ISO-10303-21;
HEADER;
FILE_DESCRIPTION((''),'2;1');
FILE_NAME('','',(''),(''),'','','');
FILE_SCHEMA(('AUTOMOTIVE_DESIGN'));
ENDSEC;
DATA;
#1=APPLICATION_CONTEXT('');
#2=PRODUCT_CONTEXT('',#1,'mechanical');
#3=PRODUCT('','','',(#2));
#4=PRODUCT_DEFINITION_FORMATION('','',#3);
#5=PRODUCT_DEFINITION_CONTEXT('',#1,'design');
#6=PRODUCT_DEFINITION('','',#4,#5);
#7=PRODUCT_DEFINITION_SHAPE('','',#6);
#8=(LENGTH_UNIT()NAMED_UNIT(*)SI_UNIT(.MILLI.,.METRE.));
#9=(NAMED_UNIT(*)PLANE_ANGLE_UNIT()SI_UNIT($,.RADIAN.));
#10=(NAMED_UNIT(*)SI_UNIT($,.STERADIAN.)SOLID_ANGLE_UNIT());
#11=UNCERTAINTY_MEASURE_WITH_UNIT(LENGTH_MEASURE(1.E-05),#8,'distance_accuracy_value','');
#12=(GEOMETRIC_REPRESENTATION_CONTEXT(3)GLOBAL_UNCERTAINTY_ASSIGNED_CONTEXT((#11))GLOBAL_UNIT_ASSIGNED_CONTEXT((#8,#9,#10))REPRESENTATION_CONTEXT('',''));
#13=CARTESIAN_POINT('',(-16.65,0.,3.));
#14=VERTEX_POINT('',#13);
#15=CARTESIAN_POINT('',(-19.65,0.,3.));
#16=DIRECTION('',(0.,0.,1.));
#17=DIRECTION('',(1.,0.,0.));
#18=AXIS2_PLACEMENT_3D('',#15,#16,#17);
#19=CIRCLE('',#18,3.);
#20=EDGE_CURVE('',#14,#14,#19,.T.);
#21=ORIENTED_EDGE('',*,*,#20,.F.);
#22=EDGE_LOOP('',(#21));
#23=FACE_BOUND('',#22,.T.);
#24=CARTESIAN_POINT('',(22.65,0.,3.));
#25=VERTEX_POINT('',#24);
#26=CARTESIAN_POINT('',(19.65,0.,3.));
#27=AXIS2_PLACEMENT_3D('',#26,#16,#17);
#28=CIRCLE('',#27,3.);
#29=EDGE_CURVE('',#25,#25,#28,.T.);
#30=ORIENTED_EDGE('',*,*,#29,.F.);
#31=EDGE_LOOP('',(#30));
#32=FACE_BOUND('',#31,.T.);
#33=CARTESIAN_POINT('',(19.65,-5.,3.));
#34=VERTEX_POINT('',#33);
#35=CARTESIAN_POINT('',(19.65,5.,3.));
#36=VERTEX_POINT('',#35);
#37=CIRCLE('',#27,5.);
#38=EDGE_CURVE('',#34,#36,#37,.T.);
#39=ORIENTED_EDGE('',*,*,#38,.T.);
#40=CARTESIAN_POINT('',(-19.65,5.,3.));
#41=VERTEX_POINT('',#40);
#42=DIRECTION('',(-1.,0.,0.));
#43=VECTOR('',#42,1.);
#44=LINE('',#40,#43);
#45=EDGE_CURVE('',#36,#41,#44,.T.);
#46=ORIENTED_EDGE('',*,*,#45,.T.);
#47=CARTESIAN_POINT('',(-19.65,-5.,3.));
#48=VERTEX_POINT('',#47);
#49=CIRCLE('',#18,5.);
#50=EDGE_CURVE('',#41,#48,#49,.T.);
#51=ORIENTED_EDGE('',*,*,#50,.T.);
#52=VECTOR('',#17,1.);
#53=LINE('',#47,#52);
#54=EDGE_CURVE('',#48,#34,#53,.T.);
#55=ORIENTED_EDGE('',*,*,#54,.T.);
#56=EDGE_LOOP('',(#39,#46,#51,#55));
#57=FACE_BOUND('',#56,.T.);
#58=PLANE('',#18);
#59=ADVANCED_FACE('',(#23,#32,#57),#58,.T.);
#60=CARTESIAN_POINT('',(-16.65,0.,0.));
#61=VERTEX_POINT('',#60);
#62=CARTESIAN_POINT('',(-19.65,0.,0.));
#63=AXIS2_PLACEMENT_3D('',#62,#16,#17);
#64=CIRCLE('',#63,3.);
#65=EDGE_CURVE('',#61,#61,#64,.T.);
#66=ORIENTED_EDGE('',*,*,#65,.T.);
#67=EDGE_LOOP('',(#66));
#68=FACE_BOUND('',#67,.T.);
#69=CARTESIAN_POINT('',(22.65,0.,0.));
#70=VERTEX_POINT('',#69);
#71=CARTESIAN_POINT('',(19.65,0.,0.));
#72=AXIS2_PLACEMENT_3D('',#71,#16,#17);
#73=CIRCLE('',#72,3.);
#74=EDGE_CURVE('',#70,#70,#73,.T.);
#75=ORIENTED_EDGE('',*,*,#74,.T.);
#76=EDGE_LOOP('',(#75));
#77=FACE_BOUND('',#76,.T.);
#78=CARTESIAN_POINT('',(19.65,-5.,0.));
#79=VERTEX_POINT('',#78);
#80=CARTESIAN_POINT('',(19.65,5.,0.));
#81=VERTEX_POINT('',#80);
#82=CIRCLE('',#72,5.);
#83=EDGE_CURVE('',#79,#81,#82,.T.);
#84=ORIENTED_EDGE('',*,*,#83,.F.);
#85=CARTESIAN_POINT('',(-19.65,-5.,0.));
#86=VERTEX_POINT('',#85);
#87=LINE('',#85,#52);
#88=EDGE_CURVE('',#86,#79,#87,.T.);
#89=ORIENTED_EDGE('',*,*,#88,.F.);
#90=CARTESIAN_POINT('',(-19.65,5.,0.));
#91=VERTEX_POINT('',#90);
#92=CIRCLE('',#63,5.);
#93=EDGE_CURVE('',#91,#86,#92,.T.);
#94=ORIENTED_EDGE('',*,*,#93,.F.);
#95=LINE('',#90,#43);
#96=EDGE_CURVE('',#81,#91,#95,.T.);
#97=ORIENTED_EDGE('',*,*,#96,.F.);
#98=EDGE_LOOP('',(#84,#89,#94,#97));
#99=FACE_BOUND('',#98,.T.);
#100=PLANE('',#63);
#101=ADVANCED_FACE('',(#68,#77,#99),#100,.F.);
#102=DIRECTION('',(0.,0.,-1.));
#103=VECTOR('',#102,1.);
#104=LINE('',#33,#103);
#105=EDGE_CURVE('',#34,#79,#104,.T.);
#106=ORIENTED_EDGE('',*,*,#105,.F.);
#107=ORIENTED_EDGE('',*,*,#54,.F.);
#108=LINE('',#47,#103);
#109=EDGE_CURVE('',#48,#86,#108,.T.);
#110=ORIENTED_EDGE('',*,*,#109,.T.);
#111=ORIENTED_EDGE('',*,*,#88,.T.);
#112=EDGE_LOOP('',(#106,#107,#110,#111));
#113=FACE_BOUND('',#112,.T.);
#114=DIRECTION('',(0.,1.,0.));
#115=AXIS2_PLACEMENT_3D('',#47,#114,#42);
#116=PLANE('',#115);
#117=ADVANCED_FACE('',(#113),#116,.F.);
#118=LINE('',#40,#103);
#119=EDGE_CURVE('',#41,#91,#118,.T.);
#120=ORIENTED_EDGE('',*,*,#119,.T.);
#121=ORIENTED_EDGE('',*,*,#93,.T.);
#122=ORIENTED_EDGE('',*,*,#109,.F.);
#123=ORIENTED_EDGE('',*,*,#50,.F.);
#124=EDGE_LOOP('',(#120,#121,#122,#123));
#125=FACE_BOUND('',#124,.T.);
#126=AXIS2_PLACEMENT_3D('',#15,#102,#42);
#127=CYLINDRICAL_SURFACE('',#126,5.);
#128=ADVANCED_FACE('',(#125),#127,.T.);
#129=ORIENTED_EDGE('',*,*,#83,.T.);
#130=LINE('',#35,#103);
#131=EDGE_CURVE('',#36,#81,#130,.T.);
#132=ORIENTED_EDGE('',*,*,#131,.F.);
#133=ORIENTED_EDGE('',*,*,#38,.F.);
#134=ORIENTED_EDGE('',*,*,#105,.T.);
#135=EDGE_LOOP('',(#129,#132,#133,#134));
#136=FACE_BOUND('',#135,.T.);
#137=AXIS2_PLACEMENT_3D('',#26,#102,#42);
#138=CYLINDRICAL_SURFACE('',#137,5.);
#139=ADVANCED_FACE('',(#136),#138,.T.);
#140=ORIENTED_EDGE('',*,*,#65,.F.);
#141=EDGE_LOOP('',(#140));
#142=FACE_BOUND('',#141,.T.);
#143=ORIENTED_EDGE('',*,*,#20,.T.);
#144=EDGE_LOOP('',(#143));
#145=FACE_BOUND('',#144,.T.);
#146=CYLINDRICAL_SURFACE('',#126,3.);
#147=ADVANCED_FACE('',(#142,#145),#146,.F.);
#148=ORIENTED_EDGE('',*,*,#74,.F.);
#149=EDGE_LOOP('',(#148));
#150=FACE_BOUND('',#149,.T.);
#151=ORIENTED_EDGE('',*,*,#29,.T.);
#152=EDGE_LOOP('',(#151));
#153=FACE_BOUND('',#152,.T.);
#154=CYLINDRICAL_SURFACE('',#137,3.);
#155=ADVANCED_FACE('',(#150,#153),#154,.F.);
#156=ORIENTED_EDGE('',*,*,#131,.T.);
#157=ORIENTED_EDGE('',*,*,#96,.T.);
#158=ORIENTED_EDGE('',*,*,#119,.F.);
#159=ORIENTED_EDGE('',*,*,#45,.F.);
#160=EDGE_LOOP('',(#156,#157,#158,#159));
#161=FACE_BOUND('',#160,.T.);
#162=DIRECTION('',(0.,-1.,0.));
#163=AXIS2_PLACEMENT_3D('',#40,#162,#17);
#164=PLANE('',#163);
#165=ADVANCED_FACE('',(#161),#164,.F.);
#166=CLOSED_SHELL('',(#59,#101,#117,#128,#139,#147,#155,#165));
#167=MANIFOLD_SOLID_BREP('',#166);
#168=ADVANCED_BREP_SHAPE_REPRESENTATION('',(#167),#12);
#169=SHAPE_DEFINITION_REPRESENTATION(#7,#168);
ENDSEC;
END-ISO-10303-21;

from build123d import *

# Parameters (mm, degrees)
SKETCH_1_R      = 3
EXTRUDE_1_DEPTH = 3


with BuildPart() as part:
    # ｽｹｯﾁ1 → ﾎﾞｽ - 押し出し1 (new body)
    with BuildSketch(Plane.XY):
        with BuildLine():
            Line((-19.65, 5), (19.65, 5))
            ThreePointArc((19.65, 5), (24.65, 0), (19.65, -5))
            Line((19.65, -5), (-19.65, -5))
            ThreePointArc((-19.65, -5), (-24.65, 0), (-19.65, 5))
        make_face()
        with Locations((-19.65, 0)):
            Circle(SKETCH_1_R, mode=Mode.SUBTRACT)
        with Locations((19.65, 0)):
            Circle(SKETCH_1_R, mode=Mode.SUBTRACT)
    extrude(amount=EXTRUDE_1_DEPTH)


solid = part.part
